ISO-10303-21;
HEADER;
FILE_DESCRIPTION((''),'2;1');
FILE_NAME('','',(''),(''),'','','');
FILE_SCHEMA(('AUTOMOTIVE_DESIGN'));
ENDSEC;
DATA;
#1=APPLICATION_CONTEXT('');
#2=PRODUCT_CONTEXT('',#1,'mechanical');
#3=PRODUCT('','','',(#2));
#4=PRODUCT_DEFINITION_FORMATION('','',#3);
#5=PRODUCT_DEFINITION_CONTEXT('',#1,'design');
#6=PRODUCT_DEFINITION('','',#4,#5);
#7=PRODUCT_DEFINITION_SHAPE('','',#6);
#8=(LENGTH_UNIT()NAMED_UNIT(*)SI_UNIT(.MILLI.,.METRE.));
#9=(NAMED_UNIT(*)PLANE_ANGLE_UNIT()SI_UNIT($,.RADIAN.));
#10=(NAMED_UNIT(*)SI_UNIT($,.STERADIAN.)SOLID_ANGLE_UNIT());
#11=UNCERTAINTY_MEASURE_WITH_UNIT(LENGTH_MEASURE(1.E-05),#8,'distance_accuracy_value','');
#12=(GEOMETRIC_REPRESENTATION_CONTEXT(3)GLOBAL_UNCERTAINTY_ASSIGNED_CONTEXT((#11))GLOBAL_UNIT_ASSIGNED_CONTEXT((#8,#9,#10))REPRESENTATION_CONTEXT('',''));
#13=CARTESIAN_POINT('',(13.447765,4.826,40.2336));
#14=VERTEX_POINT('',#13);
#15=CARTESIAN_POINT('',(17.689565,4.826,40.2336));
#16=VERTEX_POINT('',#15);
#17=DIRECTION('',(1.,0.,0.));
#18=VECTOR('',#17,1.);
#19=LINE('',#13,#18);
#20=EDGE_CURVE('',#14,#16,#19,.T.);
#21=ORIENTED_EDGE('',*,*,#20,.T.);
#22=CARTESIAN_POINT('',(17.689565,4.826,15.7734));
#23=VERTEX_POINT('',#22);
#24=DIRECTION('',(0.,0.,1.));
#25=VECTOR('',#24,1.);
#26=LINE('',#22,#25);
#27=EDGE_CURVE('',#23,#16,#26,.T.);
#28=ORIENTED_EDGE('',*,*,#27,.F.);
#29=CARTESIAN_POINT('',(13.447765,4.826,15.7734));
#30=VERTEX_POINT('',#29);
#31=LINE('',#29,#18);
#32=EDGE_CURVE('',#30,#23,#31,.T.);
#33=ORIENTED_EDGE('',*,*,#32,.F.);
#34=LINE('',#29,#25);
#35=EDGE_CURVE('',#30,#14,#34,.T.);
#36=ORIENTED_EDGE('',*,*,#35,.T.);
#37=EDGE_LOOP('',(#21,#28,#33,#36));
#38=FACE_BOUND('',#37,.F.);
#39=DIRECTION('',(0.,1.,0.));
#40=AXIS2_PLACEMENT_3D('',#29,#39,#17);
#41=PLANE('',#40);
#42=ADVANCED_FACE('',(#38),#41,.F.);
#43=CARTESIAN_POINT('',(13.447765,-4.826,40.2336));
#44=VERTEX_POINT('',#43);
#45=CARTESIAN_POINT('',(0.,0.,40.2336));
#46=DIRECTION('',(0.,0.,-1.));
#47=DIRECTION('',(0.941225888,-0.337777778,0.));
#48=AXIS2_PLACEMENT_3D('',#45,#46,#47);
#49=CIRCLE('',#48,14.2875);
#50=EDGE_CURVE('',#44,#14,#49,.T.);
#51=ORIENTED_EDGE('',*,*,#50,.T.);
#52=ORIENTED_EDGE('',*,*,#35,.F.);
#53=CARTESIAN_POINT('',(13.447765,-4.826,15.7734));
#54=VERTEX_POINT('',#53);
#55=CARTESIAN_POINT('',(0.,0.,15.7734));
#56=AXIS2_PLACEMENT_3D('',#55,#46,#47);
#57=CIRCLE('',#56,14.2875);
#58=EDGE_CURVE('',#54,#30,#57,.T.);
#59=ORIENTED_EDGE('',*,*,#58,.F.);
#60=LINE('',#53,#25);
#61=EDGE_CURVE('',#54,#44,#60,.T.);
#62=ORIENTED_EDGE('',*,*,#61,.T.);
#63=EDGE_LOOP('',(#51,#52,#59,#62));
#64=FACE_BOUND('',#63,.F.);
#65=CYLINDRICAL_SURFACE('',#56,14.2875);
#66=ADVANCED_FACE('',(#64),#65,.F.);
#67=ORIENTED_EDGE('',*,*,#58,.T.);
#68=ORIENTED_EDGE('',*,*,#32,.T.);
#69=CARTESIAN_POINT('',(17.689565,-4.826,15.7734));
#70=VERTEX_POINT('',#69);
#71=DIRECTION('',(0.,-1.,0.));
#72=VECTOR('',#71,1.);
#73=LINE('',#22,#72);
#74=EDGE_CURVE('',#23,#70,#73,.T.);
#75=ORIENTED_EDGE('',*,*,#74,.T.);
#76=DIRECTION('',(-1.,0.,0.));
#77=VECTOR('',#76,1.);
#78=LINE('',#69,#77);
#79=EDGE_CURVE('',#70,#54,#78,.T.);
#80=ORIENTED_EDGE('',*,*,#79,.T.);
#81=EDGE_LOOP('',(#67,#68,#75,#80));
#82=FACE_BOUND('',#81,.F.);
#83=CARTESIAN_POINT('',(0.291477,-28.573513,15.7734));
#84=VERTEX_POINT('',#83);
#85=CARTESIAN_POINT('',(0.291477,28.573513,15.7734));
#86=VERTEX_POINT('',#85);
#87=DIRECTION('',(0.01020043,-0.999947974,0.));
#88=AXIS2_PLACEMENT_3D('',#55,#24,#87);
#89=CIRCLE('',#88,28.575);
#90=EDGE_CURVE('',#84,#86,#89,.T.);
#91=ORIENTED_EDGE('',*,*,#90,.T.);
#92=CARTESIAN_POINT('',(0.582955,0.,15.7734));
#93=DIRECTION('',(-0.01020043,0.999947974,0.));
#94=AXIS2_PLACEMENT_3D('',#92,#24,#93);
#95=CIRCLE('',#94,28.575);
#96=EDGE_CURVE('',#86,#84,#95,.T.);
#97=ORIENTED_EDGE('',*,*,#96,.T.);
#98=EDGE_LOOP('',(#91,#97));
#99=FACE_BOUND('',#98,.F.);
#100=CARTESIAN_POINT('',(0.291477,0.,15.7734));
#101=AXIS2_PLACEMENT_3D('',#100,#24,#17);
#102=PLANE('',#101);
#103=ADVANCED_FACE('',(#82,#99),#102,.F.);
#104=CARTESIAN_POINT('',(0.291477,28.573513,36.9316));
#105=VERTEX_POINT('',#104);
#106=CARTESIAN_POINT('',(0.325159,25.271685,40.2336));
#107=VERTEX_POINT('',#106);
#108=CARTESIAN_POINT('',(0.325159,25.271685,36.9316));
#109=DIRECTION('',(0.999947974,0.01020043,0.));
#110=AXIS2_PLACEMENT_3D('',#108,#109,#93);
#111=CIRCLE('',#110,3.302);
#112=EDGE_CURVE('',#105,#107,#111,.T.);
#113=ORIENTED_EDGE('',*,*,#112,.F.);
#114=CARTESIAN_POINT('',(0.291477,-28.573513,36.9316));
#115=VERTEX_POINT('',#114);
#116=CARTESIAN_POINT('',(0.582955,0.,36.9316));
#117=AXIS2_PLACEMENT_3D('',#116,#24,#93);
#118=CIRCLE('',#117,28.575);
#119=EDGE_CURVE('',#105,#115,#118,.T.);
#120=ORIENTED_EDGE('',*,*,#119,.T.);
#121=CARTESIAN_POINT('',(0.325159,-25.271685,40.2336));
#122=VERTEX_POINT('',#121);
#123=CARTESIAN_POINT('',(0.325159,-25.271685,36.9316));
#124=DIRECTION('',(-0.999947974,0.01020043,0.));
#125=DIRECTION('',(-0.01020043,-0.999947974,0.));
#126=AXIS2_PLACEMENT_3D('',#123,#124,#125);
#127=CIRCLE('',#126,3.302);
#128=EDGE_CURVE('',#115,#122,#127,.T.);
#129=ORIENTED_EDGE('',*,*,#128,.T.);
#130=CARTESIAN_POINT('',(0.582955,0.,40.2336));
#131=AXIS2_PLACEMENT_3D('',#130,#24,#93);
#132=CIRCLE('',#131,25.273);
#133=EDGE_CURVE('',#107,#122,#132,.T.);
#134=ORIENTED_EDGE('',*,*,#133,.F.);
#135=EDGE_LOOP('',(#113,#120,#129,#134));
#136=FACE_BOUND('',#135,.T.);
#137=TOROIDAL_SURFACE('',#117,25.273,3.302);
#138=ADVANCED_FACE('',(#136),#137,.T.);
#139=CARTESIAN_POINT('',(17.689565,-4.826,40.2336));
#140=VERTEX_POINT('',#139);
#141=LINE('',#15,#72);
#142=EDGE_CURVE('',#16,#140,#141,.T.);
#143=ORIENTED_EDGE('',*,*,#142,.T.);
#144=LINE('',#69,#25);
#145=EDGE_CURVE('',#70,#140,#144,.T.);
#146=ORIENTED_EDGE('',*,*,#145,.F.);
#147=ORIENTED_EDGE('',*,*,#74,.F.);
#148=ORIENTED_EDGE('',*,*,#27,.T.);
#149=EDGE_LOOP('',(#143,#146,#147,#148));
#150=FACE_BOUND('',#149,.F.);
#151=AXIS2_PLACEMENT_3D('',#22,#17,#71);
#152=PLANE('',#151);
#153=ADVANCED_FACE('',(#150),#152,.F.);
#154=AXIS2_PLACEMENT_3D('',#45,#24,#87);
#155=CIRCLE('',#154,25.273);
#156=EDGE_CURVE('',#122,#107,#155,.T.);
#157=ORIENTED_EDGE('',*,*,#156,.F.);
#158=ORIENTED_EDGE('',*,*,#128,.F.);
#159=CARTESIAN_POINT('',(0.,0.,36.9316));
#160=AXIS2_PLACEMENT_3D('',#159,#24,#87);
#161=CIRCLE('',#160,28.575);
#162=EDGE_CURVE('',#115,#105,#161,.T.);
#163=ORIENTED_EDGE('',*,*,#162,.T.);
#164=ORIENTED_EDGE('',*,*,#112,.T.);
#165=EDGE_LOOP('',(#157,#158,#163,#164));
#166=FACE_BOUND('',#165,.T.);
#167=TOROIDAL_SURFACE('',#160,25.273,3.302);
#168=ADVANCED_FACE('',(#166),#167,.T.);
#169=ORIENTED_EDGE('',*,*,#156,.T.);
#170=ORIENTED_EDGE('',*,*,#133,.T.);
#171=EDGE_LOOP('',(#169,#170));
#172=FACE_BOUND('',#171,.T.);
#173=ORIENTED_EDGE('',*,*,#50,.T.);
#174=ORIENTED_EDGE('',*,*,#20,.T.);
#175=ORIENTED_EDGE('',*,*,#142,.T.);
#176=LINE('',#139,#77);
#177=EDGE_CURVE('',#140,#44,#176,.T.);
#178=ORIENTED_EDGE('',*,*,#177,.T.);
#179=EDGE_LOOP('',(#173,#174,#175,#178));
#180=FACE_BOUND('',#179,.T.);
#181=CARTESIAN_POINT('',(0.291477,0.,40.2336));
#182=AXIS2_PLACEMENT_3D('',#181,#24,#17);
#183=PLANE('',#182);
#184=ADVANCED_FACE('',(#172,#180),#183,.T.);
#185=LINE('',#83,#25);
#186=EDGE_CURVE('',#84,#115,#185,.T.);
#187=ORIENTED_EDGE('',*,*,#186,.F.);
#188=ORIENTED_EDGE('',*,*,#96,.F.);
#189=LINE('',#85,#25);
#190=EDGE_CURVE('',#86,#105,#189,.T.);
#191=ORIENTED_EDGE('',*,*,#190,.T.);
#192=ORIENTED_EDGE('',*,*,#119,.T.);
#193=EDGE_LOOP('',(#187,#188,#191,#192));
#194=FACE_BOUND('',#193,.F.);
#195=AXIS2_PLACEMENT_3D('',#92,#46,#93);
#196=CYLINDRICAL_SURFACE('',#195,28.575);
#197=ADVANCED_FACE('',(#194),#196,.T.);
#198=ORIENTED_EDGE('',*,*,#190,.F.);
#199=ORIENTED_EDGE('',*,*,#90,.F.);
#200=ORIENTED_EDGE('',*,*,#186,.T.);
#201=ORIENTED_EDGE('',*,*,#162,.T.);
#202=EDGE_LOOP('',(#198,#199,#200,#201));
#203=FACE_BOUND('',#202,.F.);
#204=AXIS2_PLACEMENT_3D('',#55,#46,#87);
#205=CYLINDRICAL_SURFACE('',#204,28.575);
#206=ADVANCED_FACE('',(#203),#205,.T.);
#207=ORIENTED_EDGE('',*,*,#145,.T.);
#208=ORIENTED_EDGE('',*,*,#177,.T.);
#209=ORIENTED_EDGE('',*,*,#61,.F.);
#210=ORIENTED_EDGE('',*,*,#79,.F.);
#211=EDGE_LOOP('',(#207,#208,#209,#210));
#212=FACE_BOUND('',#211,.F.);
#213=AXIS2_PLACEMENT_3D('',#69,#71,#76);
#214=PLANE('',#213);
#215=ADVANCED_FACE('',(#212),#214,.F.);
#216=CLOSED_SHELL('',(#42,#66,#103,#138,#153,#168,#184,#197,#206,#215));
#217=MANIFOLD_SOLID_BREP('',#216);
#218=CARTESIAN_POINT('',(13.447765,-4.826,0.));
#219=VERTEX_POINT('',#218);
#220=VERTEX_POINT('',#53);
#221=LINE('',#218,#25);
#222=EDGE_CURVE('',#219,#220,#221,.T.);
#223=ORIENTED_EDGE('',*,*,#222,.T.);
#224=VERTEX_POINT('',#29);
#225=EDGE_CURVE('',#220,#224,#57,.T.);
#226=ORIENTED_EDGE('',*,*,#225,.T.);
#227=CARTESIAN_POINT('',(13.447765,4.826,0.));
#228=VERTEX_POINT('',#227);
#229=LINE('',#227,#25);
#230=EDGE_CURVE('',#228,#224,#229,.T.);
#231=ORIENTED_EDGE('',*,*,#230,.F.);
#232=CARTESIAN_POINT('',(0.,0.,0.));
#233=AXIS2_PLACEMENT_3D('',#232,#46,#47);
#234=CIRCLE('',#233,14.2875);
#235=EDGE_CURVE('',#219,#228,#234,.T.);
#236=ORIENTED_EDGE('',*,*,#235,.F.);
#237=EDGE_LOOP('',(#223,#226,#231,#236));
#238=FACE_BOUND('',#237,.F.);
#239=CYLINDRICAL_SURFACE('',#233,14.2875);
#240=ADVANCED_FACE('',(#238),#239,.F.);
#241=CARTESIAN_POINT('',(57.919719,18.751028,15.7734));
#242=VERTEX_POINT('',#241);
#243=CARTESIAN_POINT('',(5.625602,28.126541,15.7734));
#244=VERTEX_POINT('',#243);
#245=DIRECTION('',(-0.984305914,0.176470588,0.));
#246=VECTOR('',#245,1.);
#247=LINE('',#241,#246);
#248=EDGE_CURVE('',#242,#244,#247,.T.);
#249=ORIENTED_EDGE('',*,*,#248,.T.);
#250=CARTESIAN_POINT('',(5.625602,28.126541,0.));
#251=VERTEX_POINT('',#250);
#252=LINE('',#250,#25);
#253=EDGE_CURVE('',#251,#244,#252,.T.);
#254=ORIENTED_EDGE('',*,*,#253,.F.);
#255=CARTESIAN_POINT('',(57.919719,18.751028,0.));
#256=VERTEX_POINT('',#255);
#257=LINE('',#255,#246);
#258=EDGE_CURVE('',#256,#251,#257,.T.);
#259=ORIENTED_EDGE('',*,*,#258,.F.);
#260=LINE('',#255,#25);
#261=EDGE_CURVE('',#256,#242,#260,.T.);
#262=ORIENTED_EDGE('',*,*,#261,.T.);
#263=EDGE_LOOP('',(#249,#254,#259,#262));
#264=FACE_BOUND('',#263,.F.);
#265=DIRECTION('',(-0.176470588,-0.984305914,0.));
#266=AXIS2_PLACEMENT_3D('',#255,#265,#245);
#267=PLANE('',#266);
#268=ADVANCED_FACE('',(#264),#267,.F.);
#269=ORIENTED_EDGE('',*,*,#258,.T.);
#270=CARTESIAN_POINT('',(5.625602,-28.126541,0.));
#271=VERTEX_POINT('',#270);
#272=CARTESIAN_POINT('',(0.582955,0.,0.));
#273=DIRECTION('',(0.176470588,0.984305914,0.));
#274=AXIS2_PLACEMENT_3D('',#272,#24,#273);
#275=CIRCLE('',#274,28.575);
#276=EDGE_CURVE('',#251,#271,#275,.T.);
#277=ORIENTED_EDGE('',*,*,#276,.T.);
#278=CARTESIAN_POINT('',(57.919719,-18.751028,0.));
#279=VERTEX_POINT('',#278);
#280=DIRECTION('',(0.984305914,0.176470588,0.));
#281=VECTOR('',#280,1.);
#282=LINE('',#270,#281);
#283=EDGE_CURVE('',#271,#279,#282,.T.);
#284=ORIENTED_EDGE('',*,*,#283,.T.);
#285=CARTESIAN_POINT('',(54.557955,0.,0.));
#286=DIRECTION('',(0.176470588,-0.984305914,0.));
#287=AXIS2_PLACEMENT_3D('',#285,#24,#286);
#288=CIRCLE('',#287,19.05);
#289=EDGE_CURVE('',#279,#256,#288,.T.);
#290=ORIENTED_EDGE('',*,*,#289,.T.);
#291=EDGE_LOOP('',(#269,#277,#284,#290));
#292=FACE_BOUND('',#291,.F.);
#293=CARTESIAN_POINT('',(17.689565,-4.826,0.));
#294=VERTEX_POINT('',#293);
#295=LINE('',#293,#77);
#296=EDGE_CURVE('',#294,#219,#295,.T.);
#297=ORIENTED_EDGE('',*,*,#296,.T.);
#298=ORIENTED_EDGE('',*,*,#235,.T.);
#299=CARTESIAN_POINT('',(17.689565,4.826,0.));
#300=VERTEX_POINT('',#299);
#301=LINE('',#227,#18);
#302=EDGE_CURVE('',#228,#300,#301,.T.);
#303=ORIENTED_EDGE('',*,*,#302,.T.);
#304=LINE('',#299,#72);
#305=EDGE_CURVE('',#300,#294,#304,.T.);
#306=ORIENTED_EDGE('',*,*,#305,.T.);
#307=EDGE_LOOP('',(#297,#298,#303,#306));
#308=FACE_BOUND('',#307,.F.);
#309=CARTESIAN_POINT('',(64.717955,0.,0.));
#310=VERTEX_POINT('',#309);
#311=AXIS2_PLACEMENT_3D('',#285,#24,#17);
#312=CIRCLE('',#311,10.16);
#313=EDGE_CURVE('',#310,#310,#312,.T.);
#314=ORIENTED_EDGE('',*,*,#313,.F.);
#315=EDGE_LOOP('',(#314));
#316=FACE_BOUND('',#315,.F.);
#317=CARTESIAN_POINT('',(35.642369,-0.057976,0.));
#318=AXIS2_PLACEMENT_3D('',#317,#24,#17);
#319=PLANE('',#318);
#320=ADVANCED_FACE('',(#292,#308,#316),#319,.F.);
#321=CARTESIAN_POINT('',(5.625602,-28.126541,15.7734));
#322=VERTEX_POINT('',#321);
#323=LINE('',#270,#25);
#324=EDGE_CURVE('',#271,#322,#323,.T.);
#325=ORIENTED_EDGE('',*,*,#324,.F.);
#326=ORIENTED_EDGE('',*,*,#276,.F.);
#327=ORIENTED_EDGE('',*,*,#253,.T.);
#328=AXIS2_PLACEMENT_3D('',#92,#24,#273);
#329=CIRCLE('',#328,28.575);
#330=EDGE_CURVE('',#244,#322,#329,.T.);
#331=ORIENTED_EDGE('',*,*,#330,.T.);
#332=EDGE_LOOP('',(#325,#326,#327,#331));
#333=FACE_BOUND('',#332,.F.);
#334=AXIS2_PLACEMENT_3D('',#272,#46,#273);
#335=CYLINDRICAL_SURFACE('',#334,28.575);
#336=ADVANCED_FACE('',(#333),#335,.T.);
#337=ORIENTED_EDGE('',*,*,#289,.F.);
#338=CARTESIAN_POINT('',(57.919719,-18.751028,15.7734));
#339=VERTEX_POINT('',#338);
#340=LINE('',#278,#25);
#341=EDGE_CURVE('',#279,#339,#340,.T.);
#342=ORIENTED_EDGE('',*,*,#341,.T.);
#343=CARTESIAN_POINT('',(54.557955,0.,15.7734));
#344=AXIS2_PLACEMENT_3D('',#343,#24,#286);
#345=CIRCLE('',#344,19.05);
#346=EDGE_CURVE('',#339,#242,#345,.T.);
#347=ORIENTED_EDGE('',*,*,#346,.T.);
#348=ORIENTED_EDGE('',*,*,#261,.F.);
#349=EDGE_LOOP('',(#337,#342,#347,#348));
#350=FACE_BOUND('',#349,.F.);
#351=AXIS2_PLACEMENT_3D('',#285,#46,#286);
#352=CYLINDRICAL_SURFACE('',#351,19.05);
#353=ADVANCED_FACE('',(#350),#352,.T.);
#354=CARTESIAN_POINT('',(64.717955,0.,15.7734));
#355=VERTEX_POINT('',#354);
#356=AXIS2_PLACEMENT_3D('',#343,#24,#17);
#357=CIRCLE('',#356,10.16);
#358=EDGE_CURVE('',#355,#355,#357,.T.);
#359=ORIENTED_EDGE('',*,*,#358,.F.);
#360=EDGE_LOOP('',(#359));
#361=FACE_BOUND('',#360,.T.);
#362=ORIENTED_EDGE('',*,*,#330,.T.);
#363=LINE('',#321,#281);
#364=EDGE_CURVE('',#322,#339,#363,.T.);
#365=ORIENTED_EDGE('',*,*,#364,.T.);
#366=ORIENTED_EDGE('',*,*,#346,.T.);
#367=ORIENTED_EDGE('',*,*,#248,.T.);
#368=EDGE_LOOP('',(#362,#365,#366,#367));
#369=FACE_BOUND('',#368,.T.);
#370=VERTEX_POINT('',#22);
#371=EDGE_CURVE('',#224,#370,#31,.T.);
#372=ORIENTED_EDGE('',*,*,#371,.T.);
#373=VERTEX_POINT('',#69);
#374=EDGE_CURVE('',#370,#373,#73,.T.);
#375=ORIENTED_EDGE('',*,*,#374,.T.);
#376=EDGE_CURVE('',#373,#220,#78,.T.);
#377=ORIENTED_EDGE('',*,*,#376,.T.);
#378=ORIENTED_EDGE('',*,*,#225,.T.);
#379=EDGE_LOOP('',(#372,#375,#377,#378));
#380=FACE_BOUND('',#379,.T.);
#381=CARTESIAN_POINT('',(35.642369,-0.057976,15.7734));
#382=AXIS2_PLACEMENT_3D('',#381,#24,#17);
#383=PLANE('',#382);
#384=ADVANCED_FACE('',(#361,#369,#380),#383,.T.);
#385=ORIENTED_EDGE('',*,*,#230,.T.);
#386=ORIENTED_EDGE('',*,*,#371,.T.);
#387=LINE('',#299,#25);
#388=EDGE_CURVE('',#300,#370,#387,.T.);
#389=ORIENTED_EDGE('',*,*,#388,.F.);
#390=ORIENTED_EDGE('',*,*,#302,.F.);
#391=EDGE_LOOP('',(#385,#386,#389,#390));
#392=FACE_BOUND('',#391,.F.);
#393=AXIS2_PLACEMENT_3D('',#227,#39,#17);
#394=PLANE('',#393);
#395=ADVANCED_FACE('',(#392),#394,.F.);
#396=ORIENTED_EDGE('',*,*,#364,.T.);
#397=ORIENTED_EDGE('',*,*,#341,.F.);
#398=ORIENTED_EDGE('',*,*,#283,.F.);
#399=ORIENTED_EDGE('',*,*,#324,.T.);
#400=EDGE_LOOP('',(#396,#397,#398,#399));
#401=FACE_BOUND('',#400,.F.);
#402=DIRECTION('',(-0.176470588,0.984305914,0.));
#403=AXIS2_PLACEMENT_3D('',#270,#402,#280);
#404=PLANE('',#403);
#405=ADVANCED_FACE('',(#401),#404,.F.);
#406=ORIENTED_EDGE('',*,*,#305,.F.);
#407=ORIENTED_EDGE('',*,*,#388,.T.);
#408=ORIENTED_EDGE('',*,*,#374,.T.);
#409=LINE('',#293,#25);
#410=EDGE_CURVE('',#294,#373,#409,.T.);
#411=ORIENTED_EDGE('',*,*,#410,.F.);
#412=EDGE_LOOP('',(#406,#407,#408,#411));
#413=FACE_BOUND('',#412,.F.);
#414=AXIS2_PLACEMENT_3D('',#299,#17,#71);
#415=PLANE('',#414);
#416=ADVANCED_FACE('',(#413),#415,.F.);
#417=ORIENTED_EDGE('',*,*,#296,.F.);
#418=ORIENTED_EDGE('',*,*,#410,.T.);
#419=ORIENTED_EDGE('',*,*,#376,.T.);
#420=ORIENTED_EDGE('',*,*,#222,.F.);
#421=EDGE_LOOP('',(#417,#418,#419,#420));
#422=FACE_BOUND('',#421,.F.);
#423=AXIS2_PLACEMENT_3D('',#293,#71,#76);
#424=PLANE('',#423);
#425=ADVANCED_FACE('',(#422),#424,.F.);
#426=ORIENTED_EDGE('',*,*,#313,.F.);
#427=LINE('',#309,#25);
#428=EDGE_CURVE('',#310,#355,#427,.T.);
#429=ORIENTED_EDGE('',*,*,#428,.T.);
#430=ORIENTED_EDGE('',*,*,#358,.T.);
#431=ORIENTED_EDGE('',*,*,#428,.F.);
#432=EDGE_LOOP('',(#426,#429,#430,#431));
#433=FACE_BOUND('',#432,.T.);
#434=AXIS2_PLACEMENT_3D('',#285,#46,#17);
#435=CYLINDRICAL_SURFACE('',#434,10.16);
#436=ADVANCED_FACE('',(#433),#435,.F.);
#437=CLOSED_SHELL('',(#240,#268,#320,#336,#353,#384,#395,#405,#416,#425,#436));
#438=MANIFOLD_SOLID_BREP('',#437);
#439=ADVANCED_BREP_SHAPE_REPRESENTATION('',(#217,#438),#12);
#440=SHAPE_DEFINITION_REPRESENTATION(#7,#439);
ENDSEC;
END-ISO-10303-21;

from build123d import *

# Parameters (mm, degrees)
F0_R     = 10.16
F1_DEPTH = 15.7734
F3_DEPTH = 24.4602
F4_R     = 3.302


with BuildPart() as f1:
    # F0 (on Top) → F1 (new body)
    with BuildSketch(Plane.XY):
        with BuildLine():
            ThreePointArc((5.6256016141, 28.1265414802), (22.4989791116, 18.3362616868), (29.1579545553, 0))
            ThreePointArc((29.1579545553, 0), (27.2095111336, -10.3709743893), (21.6298978776, -19.3276175921))
            ThreePointArc((21.6298978776, -19.3276175921), (14.3496515797, -25.0401413343), (5.6256016141, -28.1265414802))
            Line((5.6256016141, -28.1265414802), (57.9197192612, -18.7510276535))
            ThreePointArc((57.9197192612, -18.7510276535), (73.6079545553, 0), (57.9197192612, 18.7510276535))
            Line((57.9197192612, 18.7510276535), (5.6256016141, 28.1265414802))
        make_face()
        with Locations((54.5579545553, 0)):
            Circle(F0_R, mode=Mode.SUBTRACT)
        with BuildLine():
            ThreePointArc((21.6298978776, -19.3276175921), (27.2095111336, -10.3709743893), (29.1579545553, 0))
            ThreePointArc((29.1579545553, 0), (22.4989791116, 18.3362616868), (5.6256016141, 28.1265414802))
            ThreePointArc((5.6256016141, 28.1265414802), (-27.9920454447, 0), (5.6256016141, -28.1265414802))
            ThreePointArc((5.6256016141, -28.1265414802), (14.3496515797, -25.0401413343), (21.6298978776, -19.3276175921))
        make_face()
        with BuildLine():
            ThreePointArc((13.4477648793, -4.826), (-14.2875, 0), (13.4477648793, 4.826))
            Line((13.4477648793, 4.826), (17.6895648793, 4.826))
            Line((17.6895648793, 4.826), (17.6895648793, -4.826))
            Line((17.6895648793, -4.826), (13.4477648793, -4.826))
        make_face(mode=Mode.SUBTRACT)
    extrude(amount=F1_DEPTH)


with BuildPart() as f3:
    # F2 (on face) → F3 (new body)
    with BuildSketch(Plane.XY.offset(15.7734)):
        with BuildLine():
            ThreePointArc((0.2914772776, -28.5735133646), (20.3083675884, -20.102259348), (28.575, 0))
            ThreePointArc((28.575, 0), (20.3083675884, 20.102259348), (0.2914772776, 28.5735133646))
            ThreePointArc((0.2914772776, 28.5735133646), (-27.9920454447, 0), (0.2914772776, -28.5735133646))
        make_face()
        with BuildLine():
            Line((17.6895648793, 4.826), (17.6895648793, -4.826))
            Line((17.6895648793, -4.826), (13.4477648793, -4.826))
            ThreePointArc((13.4477648793, -4.826), (-14.2875, 0), (13.4477648793, 4.826))
            Line((13.4477648793, 4.826), (17.6895648793, 4.826))
        make_face(mode=Mode.SUBTRACT)
    extrude(amount=F3_DEPTH)

    # F4
    f4_edges = [f3.edges().sort_by_distance(p)[0] for p in [
        (-27.992045, 0, 40.2336),
        (28.575, 0, 40.2336),
    ]]
    fillet(f4_edges, radius=F4_R)


solid = Compound([f1.part, f3.part])
